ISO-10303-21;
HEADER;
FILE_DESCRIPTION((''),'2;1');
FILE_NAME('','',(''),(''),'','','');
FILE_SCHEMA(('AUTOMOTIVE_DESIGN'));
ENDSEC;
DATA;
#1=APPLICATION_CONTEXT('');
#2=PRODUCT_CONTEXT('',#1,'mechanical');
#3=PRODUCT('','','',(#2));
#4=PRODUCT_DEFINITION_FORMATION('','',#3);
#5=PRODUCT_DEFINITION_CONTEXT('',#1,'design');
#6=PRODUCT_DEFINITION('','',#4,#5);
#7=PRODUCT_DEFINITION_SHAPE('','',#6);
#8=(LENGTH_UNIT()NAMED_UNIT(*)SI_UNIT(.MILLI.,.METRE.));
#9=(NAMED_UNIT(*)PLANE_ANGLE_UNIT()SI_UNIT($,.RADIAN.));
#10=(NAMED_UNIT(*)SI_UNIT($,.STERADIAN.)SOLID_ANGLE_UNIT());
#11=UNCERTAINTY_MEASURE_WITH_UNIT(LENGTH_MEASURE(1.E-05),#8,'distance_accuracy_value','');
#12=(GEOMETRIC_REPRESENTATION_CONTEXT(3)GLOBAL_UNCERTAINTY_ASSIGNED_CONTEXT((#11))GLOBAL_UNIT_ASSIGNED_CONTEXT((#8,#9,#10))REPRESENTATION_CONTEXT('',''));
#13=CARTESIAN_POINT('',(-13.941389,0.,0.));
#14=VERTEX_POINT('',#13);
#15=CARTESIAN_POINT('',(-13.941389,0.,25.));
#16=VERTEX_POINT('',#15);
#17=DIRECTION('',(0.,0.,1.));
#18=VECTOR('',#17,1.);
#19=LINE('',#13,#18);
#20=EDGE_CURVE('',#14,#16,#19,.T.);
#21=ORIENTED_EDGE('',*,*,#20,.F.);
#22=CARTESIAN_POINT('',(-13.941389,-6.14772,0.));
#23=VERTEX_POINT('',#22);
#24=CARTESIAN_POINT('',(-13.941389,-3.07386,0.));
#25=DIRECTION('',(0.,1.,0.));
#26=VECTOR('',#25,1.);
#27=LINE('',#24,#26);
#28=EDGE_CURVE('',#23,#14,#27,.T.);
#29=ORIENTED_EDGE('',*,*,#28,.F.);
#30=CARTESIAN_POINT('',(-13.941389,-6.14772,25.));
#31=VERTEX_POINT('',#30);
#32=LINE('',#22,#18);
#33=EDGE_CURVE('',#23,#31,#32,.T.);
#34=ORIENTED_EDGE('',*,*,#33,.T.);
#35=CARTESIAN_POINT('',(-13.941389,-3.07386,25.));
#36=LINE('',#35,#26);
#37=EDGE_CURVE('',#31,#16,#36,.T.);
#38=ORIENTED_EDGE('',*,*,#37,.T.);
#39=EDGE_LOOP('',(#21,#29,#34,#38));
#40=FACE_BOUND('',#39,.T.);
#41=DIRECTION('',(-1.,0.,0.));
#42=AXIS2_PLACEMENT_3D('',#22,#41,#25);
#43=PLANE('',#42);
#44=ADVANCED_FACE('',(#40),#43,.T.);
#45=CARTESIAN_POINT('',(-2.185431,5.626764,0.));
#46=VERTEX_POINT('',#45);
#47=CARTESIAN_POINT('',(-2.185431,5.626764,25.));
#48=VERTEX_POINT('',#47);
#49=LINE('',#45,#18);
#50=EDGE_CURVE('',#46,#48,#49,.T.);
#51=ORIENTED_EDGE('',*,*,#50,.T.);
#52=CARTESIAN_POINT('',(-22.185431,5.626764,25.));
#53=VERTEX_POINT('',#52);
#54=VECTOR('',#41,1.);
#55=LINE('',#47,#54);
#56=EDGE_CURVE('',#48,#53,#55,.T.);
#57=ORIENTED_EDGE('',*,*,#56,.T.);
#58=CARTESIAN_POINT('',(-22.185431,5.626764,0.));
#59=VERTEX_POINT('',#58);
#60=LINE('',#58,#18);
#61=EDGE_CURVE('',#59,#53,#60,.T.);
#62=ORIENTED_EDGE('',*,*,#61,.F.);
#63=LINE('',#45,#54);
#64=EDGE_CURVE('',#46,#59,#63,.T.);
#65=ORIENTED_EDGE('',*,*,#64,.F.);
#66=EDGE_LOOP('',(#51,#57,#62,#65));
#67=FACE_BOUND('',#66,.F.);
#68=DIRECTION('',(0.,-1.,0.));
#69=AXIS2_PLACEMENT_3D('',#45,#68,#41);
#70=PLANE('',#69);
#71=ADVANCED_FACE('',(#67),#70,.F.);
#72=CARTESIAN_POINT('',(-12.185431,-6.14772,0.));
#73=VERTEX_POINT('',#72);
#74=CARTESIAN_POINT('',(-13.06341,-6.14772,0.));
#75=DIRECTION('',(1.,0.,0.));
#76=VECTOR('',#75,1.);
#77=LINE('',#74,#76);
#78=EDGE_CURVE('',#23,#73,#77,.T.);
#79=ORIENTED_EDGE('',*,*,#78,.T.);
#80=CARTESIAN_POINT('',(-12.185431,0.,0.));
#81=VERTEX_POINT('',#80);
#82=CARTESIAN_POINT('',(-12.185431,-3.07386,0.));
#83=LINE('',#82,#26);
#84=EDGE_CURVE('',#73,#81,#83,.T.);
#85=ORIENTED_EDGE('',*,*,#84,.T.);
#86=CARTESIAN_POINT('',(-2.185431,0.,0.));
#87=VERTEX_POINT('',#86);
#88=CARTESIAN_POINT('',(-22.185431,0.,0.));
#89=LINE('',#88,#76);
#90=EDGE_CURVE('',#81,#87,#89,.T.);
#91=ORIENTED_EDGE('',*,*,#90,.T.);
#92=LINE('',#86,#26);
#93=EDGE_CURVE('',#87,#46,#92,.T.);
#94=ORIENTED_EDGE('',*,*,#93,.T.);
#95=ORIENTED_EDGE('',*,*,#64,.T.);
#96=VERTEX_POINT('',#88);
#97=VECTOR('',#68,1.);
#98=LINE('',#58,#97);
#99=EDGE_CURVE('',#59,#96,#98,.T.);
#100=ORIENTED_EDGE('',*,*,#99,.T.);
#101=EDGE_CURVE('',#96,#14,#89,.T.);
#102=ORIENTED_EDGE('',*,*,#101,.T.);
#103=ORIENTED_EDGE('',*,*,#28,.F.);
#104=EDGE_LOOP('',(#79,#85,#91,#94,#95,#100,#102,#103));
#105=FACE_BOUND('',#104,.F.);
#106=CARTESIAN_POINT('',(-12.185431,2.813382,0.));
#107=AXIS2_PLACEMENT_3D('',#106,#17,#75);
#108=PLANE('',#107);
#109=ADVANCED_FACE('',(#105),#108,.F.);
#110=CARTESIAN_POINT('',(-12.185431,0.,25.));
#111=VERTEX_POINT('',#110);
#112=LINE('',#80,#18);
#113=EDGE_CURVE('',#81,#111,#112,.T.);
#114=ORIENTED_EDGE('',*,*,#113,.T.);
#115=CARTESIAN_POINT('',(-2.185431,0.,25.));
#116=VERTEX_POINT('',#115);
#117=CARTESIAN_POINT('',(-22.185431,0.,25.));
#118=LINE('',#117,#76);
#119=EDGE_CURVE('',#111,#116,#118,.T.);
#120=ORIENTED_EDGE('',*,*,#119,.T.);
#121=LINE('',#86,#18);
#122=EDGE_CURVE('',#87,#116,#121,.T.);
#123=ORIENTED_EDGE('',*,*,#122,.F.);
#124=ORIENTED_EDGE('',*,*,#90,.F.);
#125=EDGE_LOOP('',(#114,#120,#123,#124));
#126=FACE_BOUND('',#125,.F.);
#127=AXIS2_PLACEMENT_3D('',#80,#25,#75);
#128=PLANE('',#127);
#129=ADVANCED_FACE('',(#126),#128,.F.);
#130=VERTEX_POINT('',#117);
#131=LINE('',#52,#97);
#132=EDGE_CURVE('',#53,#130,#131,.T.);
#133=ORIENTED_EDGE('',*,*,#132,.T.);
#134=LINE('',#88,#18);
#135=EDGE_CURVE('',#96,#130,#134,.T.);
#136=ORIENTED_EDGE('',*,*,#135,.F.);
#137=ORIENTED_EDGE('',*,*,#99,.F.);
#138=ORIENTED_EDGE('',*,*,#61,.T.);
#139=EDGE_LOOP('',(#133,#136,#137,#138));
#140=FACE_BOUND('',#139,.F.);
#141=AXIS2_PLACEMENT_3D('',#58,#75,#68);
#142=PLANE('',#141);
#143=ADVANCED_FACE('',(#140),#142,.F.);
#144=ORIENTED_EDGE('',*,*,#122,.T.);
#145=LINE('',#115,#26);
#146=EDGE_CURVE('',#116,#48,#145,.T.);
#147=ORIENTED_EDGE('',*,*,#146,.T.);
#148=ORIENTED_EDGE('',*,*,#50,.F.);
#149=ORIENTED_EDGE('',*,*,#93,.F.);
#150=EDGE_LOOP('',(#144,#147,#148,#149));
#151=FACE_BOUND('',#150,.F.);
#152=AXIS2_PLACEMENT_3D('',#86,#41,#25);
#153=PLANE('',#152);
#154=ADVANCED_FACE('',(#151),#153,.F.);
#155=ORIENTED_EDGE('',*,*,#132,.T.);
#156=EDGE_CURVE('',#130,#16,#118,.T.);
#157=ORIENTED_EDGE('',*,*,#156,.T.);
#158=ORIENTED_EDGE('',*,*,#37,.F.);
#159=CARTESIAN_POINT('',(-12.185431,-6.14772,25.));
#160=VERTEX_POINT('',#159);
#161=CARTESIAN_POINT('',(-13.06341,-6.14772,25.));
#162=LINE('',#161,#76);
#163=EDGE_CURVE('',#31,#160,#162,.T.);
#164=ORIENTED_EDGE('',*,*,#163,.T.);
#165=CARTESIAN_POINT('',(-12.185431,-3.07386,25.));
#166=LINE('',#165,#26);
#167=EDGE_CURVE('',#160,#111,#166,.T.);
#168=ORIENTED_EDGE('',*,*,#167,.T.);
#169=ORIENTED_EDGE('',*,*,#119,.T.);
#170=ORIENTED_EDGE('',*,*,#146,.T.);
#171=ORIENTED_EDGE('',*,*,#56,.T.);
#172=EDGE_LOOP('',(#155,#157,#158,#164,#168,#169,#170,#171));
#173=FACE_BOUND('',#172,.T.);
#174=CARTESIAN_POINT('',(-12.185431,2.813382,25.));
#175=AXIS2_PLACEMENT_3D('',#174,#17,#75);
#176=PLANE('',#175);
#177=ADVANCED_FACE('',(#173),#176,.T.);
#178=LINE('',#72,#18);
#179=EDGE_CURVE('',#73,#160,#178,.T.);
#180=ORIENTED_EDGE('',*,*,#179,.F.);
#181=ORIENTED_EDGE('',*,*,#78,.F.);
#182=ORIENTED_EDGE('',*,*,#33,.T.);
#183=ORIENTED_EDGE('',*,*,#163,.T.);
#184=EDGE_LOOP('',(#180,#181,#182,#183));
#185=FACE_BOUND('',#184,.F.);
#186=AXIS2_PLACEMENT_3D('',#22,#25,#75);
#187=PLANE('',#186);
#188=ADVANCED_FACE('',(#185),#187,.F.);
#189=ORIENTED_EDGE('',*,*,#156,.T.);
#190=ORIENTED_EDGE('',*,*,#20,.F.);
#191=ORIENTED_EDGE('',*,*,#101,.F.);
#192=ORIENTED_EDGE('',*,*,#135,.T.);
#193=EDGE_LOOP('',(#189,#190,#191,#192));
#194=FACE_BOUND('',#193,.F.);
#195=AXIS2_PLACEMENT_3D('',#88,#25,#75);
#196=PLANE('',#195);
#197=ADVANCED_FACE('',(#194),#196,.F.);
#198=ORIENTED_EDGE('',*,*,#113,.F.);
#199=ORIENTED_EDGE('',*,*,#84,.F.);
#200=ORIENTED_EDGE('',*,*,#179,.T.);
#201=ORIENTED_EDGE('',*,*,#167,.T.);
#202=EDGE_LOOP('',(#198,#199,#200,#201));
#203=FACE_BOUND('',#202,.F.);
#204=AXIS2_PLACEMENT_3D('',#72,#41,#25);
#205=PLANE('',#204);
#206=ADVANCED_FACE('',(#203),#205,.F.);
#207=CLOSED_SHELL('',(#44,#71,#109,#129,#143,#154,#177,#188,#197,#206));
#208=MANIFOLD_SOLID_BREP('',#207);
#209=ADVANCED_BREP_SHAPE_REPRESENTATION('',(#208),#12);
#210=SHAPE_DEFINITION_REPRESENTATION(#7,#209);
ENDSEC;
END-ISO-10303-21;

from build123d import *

# Parameters (mm, degrees)
F0_W     = 1.755959
F0_H     = 6.14772
F1_DEPTH = 25


with BuildPart() as f1:
    # F0 (on Top) → F1 (new body)
    with BuildSketch(Plane.XY):
        Polygon((-10.429473, 0), (-2.185431, 0), (-2.185431, 5.626764), (-22.185431, 5.626764), (-22.185431, 0), (-13.94139, 0), (-12.185431, 0), align=None)
        with Locations((-13.06341, -3.07386)):
            Rectangle(F0_W, F0_H)
    extrude(amount=F1_DEPTH)


solid = f1.part
